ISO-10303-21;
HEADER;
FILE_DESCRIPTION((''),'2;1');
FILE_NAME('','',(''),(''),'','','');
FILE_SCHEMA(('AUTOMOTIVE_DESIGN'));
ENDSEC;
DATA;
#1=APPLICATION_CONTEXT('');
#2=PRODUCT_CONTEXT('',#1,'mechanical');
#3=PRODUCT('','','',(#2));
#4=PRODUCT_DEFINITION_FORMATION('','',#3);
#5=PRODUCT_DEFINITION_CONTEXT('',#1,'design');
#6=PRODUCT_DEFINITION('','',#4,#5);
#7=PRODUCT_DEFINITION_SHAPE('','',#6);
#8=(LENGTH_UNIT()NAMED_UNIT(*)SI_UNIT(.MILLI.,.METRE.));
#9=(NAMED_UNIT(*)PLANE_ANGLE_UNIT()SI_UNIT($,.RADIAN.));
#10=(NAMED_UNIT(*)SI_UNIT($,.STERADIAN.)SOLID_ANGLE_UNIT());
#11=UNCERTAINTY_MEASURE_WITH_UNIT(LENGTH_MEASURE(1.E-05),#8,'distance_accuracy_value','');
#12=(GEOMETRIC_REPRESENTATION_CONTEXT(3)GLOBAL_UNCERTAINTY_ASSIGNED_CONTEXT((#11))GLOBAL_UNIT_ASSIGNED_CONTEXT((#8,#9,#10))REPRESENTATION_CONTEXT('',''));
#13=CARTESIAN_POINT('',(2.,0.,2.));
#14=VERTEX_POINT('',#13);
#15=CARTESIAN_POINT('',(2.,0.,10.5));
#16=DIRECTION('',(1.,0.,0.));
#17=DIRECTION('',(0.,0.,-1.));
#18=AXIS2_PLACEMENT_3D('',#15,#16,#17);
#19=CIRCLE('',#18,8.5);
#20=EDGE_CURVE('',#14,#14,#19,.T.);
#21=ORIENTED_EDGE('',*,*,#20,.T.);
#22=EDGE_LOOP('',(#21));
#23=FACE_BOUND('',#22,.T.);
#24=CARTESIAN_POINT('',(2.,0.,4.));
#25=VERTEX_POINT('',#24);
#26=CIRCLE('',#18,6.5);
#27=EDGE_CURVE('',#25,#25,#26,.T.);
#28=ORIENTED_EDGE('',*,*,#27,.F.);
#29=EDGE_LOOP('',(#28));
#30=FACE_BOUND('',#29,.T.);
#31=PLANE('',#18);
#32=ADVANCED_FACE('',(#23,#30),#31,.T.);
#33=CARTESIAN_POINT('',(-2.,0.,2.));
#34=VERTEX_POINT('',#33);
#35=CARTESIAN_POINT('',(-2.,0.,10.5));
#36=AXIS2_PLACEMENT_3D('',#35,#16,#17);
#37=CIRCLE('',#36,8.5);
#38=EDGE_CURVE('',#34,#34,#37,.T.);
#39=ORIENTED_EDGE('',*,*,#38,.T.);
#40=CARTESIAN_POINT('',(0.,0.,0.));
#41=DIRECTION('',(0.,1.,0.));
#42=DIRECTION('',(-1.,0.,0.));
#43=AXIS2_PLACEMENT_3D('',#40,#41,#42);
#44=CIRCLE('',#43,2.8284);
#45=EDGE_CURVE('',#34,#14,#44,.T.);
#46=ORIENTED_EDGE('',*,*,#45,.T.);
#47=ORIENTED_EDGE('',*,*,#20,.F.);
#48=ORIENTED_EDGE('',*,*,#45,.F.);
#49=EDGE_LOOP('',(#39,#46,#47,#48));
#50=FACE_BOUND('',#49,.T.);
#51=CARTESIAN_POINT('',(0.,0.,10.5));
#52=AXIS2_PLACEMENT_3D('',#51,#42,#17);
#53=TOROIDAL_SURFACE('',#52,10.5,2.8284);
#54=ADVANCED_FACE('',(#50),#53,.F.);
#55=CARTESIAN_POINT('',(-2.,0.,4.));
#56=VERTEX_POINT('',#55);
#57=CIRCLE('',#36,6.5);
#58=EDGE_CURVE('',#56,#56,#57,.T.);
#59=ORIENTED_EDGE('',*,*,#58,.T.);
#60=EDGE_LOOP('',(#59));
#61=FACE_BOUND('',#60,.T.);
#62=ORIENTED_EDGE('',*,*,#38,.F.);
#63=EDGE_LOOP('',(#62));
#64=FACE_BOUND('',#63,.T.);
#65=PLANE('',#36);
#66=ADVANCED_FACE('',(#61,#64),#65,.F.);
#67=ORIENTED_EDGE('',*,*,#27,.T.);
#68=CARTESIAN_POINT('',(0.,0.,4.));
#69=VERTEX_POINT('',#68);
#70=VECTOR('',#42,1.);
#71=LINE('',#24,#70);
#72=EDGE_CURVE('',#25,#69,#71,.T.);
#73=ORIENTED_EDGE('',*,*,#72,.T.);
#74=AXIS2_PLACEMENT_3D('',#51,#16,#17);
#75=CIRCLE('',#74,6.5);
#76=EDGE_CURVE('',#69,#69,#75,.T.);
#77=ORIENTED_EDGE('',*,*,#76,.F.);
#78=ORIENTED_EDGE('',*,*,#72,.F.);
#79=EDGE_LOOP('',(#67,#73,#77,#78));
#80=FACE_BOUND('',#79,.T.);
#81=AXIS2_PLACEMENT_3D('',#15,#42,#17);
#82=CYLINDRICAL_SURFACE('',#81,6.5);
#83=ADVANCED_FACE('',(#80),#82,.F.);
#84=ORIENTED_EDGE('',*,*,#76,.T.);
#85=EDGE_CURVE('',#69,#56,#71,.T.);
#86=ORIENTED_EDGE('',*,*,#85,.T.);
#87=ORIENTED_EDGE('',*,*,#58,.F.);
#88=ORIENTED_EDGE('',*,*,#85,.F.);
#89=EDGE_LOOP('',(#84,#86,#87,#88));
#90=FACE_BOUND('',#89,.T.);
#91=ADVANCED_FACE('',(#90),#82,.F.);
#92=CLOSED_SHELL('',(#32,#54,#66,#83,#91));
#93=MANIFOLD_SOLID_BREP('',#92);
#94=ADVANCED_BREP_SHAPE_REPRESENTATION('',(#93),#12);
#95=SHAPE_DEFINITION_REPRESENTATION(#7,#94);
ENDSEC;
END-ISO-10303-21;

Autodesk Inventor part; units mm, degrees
ref_plane "YZ Plane" through (0, 0, 0) normal (1, 0, 0) x (0, 1, 0)
ref_plane "XZ Plane" through (0, 0, 0) normal (0, 1, 0) x (-1, 0, 0)
ref_plane "XY Plane" through (0, 0, 0) normal (0, 0, 1) x (1, 0, 0)
sketch "Sketch1" plane through (0, 0, 0) normal (0, 1, 0) x (-1, 0, 0)
  circle A0 centre (0, 0) radius 2.8284
  line L0 (0, 0) -> (-2.8284, 0)
  line L1 (-2.8284, 0) -> (-2.8284, -2.8284)
  line L2 (-2.8284, -2.8284) -> (0, -2.8284)
  line L3 (0, -2.8284) -> (0, 0)
  line L4 (0, 0) -> (-2.8284, -2.8284)
  line L5 (2, 2) -> (-2, 2)
  line L6 (-2, 2) -> (-2, -2)
  line L7 (-2, -2) -> (2, -2)
  line L8 (2, -2) -> (2, 2)
  line L9 (2, 2) -> (-2, -2) construction
  line L10 (-2, 2) -> (2, -2) construction
  line L11 (2, 2) -> (-2, 2)
  line L12 (-2, 2) -> (-2, 4)
  line L13 (-2, 4) -> (2, 4)
  line L14 (2, 4) -> (2, 2)
  line L15 (0, 4) -> (0, 10.5)
  line L16 (2.8284, 10.5) -> (-3.1539, 10.5)
  dimension "d2" = 4
  dimension "d3" = 2
  dimension "d4" = 6.5
  dimension "d5" = 2
revolve "Revolution1" add sketch "Sketch1" angle 360 about axis through (-2.8284, 0, 10.5) along (1, 0, 0) contours A0 L12 L13 L14
properties part number "guide_profile"
